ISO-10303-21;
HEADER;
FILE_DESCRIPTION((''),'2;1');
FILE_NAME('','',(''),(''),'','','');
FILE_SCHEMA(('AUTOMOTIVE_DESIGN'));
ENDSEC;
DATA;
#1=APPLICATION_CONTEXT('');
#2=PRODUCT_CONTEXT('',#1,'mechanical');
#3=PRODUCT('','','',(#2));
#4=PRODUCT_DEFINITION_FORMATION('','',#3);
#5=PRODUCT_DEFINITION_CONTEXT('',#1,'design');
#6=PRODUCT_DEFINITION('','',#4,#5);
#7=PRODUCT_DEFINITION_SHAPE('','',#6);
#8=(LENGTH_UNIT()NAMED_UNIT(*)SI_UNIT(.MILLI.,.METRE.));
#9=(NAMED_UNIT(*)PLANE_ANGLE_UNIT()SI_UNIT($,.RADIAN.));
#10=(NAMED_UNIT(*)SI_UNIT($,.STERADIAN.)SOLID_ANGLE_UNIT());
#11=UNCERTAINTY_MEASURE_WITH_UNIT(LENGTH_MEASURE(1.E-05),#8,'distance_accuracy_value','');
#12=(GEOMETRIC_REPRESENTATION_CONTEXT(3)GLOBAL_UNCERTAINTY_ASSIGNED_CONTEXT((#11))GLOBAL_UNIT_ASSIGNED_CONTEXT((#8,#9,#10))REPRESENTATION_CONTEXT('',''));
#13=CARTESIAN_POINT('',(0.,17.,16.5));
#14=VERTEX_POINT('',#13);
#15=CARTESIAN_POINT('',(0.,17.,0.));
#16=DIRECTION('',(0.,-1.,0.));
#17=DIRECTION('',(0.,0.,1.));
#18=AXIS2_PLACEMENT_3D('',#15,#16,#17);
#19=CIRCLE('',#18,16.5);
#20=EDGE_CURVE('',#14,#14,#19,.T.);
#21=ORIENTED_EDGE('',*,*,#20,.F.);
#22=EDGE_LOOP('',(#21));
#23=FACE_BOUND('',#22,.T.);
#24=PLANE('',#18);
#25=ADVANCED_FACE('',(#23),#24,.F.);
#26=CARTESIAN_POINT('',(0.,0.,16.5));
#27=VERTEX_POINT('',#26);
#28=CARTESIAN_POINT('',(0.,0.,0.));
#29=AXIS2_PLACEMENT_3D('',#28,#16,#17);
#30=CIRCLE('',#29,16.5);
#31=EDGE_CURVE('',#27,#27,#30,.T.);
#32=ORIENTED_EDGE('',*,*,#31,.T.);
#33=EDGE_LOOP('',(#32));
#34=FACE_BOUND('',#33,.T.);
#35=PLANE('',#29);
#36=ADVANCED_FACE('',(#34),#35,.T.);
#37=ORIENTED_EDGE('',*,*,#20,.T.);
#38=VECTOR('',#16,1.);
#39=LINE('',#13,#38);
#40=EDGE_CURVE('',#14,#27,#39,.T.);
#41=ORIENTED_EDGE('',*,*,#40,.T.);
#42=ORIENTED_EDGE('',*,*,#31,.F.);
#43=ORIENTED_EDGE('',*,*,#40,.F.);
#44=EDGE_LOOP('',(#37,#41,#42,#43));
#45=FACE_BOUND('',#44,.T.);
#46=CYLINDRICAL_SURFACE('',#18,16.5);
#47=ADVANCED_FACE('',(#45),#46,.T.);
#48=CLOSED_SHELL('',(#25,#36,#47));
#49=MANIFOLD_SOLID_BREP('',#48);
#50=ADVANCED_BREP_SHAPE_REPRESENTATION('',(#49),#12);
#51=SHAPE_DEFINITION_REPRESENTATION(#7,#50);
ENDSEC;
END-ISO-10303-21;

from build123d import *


with BuildPart() as f1:
    # F0 (on Right) → F1 (revolve)
    with BuildSketch(Plane.YZ):
        Polygon((0, 3.739063), (0, 1.5), (10.023491, 1.5), (10.023491, 5.989837), (7.291159, 5.989837), (7.291159, 3.739063), align=None)
        Polygon((0, 1.5), (0, 0), (17, 0), (17, 16.5), (0, 16.5), (0, 3.739063), (7.291159, 3.739063), (7.291159, 5.989837), (10.023491, 5.989837), (10.023491, 1.5), align=None)
    revolve(axis=Axis((0, 8.5, 0), (0, -1, 0)))


solid = f1.part
